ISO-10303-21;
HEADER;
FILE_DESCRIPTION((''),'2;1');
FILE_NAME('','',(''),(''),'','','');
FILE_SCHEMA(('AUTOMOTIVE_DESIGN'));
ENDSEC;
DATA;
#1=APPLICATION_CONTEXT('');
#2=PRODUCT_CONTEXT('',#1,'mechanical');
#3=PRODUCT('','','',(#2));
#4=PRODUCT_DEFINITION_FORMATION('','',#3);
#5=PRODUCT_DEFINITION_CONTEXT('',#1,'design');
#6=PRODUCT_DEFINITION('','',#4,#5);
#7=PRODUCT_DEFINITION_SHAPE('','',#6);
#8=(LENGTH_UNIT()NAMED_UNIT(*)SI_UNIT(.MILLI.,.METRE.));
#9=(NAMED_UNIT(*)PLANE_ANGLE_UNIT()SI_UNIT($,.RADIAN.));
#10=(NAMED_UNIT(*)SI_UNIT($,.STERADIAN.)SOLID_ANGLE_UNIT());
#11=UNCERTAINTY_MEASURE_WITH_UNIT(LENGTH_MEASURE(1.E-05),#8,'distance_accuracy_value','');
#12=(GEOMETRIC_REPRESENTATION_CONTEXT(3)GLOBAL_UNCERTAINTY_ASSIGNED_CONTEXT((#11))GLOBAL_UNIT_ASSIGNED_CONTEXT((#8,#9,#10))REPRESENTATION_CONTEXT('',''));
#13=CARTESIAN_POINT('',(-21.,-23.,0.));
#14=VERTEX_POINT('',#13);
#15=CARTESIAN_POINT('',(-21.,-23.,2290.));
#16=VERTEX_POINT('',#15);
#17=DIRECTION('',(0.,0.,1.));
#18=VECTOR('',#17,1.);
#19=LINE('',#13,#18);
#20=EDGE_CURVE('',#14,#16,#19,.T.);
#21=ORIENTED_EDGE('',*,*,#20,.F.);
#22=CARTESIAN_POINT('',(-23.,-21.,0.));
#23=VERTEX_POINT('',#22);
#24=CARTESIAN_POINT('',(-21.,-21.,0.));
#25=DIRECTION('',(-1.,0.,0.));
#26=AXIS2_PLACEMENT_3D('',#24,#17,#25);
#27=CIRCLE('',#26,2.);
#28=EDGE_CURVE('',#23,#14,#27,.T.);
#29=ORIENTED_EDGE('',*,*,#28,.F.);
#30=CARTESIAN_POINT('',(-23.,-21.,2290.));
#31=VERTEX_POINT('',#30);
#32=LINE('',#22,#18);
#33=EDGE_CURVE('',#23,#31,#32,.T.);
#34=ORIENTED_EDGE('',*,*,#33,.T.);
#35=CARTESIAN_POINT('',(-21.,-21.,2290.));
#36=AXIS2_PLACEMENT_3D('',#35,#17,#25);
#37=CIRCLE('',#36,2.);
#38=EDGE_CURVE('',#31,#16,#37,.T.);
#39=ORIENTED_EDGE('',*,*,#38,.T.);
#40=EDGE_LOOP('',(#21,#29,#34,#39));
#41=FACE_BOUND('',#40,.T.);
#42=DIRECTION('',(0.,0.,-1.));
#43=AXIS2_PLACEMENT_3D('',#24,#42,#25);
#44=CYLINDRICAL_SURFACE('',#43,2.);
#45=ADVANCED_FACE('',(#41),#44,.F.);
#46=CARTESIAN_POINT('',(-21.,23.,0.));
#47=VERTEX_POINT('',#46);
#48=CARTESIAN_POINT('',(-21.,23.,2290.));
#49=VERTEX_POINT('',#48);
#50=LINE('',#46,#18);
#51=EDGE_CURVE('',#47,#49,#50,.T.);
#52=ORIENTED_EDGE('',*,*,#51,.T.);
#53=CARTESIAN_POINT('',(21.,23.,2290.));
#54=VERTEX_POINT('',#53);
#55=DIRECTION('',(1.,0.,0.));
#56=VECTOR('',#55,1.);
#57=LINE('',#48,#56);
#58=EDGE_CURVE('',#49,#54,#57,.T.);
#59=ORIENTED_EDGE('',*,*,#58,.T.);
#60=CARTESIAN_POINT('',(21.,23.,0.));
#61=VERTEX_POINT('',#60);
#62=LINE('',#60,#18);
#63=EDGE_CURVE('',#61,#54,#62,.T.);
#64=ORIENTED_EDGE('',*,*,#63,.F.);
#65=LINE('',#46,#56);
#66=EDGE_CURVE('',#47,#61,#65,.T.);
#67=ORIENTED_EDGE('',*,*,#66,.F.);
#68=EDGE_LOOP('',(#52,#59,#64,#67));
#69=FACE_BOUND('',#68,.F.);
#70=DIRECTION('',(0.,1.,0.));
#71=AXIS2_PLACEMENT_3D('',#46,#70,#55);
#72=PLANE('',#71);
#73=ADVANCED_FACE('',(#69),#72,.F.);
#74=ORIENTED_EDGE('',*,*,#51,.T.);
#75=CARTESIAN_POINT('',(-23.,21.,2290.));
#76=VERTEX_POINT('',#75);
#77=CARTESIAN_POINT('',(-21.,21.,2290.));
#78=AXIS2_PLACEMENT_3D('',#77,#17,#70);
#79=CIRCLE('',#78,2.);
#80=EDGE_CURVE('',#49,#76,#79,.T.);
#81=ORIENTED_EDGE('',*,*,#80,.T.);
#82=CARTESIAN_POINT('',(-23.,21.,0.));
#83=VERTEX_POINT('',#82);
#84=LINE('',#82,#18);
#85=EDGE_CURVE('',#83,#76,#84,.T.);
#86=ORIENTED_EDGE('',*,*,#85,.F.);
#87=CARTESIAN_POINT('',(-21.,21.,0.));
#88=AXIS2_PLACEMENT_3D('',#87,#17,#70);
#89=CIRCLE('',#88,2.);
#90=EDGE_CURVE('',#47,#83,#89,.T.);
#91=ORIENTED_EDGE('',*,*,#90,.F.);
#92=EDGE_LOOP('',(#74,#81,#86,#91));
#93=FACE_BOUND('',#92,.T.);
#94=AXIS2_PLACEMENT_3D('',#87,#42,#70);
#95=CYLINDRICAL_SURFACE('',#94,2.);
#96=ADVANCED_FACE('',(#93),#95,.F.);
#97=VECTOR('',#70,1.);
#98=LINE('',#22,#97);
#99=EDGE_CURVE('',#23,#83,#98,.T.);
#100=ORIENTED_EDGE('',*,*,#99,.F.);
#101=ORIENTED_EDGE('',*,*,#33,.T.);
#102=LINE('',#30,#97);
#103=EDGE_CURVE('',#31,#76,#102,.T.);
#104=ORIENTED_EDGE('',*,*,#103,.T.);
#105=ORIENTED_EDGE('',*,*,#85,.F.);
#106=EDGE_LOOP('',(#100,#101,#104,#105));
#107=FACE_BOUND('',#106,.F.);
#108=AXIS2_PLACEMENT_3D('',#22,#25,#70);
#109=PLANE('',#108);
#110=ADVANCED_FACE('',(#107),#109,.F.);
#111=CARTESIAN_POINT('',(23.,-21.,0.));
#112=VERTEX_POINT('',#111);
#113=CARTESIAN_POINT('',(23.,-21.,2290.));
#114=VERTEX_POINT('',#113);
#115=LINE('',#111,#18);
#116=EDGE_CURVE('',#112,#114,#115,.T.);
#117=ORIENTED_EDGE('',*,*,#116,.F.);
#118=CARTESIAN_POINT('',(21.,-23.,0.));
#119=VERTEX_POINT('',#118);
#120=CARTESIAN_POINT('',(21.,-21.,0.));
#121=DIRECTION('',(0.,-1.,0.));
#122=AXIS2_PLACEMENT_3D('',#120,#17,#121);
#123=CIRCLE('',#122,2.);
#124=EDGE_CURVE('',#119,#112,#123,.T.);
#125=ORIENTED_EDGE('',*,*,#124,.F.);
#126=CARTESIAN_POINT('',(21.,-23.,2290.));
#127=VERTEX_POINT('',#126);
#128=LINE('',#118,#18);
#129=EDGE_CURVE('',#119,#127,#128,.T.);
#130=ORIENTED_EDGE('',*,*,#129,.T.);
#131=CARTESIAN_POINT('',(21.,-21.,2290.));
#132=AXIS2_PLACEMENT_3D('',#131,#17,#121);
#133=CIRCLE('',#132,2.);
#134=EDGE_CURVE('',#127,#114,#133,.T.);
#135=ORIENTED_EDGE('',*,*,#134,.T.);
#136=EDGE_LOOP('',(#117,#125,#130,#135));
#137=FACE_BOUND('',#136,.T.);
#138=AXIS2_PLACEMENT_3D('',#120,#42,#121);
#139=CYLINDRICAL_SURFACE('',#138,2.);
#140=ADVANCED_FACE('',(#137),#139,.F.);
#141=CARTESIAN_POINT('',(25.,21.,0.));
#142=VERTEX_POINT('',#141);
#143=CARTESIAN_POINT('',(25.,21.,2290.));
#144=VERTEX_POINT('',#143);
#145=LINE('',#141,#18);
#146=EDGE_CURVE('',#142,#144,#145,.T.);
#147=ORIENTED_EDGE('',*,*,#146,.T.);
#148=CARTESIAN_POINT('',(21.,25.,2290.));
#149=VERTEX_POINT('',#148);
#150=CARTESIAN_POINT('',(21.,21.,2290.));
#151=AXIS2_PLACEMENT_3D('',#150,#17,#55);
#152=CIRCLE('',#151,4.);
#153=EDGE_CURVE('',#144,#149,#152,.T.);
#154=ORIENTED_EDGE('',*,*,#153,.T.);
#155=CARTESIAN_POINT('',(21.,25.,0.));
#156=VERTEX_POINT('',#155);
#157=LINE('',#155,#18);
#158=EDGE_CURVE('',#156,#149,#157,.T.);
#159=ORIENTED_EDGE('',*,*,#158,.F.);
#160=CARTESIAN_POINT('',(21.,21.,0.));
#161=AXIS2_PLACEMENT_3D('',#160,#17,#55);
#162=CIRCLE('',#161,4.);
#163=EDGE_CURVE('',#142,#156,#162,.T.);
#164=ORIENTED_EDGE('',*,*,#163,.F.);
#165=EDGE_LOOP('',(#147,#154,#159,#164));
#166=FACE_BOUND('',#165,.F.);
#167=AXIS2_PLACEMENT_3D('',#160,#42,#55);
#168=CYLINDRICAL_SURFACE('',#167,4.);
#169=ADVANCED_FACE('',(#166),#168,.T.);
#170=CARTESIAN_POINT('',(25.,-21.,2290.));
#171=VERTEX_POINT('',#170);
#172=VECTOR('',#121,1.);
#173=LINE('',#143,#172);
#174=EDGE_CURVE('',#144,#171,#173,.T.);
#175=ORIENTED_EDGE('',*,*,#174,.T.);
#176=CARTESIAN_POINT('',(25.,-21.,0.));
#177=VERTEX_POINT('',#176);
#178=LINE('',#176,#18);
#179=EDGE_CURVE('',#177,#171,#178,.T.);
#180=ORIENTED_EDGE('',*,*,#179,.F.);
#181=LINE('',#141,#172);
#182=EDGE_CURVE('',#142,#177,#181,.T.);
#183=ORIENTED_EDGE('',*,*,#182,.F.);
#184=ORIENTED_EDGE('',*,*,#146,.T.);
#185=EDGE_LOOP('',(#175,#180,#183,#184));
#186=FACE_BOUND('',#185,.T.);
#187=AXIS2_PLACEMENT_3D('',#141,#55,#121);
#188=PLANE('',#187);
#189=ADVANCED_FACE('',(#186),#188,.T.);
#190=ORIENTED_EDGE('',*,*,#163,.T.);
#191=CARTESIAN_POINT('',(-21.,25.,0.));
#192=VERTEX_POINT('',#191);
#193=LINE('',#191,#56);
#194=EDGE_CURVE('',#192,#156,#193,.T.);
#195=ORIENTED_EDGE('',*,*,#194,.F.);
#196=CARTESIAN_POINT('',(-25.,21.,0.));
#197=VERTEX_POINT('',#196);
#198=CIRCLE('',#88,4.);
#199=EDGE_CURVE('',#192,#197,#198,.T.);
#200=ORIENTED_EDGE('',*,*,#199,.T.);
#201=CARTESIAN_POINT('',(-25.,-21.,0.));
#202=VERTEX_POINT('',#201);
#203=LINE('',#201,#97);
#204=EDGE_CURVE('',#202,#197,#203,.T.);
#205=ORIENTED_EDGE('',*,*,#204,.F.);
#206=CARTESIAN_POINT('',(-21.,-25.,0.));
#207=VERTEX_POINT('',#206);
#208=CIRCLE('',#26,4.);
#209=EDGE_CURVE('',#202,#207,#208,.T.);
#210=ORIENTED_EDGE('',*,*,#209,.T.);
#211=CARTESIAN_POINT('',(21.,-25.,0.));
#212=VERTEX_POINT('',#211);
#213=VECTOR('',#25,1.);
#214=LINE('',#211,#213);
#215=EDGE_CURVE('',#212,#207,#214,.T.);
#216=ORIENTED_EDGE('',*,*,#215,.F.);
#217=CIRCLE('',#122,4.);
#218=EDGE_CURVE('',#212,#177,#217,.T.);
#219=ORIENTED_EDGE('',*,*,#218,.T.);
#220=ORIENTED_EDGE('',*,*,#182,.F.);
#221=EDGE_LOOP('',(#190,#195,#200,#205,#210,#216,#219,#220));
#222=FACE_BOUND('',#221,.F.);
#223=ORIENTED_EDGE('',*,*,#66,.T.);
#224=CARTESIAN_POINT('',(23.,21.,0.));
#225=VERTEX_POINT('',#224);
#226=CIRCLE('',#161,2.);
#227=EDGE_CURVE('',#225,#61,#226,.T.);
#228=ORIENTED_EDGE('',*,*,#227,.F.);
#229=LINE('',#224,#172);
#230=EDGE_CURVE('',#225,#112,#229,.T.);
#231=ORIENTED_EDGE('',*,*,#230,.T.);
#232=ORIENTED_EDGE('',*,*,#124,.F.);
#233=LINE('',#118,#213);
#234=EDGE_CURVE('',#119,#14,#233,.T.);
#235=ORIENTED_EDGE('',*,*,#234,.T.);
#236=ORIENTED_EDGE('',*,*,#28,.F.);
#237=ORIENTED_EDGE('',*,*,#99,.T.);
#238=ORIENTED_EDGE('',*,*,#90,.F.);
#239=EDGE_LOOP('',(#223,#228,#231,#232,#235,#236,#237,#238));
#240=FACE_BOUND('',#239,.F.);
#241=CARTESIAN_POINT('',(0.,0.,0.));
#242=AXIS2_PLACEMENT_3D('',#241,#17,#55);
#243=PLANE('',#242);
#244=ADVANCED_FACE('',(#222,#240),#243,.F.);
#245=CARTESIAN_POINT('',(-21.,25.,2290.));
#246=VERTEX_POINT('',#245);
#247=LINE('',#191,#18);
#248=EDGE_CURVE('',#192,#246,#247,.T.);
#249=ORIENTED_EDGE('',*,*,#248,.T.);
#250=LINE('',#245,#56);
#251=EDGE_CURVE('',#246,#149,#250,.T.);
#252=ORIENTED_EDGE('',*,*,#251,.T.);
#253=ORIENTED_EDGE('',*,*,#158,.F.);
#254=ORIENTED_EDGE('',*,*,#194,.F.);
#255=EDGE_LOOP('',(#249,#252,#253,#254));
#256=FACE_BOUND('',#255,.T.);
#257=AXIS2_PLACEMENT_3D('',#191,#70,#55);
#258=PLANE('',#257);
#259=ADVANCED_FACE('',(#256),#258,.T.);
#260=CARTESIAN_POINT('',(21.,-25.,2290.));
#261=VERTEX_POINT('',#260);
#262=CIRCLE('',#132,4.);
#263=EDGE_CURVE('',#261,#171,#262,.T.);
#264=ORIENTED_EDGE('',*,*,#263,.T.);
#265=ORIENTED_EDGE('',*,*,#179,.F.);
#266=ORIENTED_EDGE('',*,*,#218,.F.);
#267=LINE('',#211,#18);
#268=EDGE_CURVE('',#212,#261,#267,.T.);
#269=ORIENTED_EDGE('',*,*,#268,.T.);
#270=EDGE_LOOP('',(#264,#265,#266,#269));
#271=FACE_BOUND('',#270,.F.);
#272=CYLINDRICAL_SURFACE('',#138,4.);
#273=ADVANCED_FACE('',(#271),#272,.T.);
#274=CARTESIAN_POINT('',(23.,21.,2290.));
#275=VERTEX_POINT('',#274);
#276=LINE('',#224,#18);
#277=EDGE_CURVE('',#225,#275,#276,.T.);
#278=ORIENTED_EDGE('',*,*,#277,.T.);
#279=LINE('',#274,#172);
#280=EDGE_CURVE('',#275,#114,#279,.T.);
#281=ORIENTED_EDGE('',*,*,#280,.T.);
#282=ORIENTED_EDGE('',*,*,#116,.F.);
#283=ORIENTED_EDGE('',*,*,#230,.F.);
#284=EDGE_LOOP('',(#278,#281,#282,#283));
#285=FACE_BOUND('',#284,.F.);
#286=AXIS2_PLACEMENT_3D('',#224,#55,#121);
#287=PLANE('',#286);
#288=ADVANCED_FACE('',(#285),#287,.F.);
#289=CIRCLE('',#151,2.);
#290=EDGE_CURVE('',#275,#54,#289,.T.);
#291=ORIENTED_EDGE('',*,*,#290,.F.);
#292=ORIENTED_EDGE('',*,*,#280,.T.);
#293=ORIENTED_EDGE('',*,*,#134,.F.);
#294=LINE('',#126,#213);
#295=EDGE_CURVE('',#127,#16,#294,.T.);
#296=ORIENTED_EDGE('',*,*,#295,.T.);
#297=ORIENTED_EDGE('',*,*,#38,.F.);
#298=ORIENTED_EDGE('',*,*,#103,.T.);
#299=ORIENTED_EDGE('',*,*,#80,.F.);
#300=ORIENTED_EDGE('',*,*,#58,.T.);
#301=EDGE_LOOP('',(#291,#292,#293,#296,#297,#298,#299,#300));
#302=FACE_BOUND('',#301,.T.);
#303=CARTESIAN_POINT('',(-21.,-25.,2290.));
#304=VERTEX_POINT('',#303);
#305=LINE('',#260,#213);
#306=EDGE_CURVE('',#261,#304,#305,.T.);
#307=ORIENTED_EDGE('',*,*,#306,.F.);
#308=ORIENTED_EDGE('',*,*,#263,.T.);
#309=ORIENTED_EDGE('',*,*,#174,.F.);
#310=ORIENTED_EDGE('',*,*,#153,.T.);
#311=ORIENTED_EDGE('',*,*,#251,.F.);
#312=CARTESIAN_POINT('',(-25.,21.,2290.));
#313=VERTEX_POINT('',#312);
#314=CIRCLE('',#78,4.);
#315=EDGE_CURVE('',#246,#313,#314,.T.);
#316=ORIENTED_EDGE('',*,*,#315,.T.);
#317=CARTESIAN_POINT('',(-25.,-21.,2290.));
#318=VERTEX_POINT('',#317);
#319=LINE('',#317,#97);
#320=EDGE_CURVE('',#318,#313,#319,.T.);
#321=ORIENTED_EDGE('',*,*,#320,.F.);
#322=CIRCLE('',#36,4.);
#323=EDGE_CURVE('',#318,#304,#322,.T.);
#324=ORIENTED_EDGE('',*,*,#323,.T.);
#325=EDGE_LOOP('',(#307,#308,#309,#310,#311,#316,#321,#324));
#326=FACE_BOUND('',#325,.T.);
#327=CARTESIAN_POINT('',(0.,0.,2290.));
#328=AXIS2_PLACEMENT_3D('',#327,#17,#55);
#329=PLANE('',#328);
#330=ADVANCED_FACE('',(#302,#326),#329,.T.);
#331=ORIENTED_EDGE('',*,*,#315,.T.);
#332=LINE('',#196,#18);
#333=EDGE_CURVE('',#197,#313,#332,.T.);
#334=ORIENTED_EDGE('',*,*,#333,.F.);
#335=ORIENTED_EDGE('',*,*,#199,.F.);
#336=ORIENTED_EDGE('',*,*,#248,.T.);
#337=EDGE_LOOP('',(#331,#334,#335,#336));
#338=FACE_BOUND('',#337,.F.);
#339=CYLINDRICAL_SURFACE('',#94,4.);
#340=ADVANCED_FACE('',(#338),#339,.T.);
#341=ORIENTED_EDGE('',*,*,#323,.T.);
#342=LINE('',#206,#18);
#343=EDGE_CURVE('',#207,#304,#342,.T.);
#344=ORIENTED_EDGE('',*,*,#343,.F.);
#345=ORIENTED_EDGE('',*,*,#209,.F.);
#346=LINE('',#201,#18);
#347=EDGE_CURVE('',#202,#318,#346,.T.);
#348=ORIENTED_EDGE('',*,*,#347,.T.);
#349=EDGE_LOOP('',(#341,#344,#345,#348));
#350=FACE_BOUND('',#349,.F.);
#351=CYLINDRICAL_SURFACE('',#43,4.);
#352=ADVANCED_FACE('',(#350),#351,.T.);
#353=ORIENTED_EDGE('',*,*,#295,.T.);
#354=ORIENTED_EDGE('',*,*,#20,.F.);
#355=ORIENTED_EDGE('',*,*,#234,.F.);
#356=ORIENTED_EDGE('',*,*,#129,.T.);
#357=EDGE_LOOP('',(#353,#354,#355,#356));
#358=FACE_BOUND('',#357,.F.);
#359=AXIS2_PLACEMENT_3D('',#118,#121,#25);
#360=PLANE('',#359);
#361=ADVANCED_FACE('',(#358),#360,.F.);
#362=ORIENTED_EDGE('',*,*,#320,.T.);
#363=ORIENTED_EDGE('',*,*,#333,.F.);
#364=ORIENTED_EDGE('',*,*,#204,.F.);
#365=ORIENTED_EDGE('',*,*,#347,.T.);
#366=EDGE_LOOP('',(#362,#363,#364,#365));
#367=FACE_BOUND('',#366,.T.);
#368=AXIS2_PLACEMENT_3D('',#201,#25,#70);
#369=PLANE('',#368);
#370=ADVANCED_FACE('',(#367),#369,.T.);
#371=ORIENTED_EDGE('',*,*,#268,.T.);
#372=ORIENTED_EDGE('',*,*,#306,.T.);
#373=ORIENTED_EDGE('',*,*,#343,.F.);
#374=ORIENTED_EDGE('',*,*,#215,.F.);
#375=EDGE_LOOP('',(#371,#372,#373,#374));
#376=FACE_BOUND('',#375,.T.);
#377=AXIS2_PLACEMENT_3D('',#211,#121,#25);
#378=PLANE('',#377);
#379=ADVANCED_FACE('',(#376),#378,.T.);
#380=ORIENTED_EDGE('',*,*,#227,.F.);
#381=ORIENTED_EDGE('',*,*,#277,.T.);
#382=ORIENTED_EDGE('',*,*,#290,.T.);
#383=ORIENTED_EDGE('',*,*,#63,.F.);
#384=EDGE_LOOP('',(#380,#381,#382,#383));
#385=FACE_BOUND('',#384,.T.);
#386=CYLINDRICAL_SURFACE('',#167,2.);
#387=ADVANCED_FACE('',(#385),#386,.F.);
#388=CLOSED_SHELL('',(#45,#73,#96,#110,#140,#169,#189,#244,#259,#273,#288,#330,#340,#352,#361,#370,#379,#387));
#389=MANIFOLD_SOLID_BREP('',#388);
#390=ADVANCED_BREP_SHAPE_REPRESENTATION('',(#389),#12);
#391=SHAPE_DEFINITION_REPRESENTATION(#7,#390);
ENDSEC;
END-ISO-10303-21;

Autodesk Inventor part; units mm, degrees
ref_plane "Plano inicial" through (0, 0, 0) normal (0, 0, 1) x (1, 0, 0)
ref_plane "Plano final" through (0, 0, 2290) normal (0, 0, 1) x (1, 0, 0)
sketch "Boceto" plane through (0, 0, 0) normal (0, 0, 1) x (1, 0, 0)
  line L0 (-25, -21) -> (-25, 21)
  line L1 (-21, 25) -> (21, 25)
  line L2 (25, 21) -> (25, -21)
  line L3 (21, -25) -> (-21, -25)
  arc A0 (-25, -21) -> (-21, -25) centre (-21, -21) ccw
  arc A1 (25, 21) -> (21, 25) centre (21, 21) ccw
  arc A2 (-21, 25) -> (-25, 21) centre (-21, 21) ccw
  arc A3 (21, -25) -> (25, -21) centre (21, -21) ccw
  arc A4 (-21, 23) -> (-23, 21) centre (-21, 21) ccw
  line L4 (-21, 23) -> (21, 23)
  arc A5 (23, 21) -> (21, 23) centre (21, 21) ccw
  line L5 (23, 21) -> (23, -21)
  arc A6 (21, -23) -> (23, -21) centre (21, -21) ccw
  line L6 (21, -23) -> (-21, -23)
  arc A7 (-23, -21) -> (-21, -23) centre (-21, -21) ccw
  line L7 (-23, -21) -> (-23, 21)
  line L8 (0, 36.1598) -> (0, -36.1598) construction
  line L9 (-36.1598, 0) -> (36.1598, 0) construction
  dimension "d7" = 4
  dimension "d9" = 50
  dimension "d11" = 50
  dimension "d12" = 2
  dimension "d15" = 25
  dimension "d16" = 25
extrude "Cuerpo" add sketch "Boceto" along normal up to surface (2290 mm away) from surface at 0
sketch "Sketch3" plane through (0, 0, 0) normal (0, 0, 1) x (1, 0, 0)
  line L0 (0, 0) -> (10, 0)
ref_plane "Work Plane3" through (0, 0, 0) normal (0, -1, 0) x (1, 0, 0)
sketch "Sketch4" plane through (0, 0, 0) normal (0, -1, 0) x (1, 0, 0)
  line L0 (-2, 0) -> (12, 0)
  line L1 (-2, 2290) -> (12, 2290)
  dimension "d18" = 2290
ref_plane "Plano de trabajo4" through (-150.06, 21, 2290) normal (0, 0, 1) x (1, 0, 0)
split "Dividir1" plane through (-150.06, 21, 2290) removes the side toward (0, 0, 1)
equation "\"d7\" = G_IR"
equation "\"d9\" = G_W"
equation "\"d11\" = G_H"
equation "\"d12\" = G_T"
equation "\"d15\" = 0.5 * d9"
equation "\"d16\" = 0.5 * d11"
equation "\"d3\" = G_L"
equation "\"G_W\" = 50"
equation "\"G_H\" = 50"
equation "\"G_T\" = 2"
equation "\"G_IR\" = 4"
equation "\"G_L\" = d18"
equation "\"G_OFFSET_START\" = 0"
equation "\"G_OFFSET_END\" = -25"
equation "\"B_L\" = 2315"
properties part number "ISO 10799-2 - 50x50x2 - 2290" material "Galvanizado catalogo 1"
